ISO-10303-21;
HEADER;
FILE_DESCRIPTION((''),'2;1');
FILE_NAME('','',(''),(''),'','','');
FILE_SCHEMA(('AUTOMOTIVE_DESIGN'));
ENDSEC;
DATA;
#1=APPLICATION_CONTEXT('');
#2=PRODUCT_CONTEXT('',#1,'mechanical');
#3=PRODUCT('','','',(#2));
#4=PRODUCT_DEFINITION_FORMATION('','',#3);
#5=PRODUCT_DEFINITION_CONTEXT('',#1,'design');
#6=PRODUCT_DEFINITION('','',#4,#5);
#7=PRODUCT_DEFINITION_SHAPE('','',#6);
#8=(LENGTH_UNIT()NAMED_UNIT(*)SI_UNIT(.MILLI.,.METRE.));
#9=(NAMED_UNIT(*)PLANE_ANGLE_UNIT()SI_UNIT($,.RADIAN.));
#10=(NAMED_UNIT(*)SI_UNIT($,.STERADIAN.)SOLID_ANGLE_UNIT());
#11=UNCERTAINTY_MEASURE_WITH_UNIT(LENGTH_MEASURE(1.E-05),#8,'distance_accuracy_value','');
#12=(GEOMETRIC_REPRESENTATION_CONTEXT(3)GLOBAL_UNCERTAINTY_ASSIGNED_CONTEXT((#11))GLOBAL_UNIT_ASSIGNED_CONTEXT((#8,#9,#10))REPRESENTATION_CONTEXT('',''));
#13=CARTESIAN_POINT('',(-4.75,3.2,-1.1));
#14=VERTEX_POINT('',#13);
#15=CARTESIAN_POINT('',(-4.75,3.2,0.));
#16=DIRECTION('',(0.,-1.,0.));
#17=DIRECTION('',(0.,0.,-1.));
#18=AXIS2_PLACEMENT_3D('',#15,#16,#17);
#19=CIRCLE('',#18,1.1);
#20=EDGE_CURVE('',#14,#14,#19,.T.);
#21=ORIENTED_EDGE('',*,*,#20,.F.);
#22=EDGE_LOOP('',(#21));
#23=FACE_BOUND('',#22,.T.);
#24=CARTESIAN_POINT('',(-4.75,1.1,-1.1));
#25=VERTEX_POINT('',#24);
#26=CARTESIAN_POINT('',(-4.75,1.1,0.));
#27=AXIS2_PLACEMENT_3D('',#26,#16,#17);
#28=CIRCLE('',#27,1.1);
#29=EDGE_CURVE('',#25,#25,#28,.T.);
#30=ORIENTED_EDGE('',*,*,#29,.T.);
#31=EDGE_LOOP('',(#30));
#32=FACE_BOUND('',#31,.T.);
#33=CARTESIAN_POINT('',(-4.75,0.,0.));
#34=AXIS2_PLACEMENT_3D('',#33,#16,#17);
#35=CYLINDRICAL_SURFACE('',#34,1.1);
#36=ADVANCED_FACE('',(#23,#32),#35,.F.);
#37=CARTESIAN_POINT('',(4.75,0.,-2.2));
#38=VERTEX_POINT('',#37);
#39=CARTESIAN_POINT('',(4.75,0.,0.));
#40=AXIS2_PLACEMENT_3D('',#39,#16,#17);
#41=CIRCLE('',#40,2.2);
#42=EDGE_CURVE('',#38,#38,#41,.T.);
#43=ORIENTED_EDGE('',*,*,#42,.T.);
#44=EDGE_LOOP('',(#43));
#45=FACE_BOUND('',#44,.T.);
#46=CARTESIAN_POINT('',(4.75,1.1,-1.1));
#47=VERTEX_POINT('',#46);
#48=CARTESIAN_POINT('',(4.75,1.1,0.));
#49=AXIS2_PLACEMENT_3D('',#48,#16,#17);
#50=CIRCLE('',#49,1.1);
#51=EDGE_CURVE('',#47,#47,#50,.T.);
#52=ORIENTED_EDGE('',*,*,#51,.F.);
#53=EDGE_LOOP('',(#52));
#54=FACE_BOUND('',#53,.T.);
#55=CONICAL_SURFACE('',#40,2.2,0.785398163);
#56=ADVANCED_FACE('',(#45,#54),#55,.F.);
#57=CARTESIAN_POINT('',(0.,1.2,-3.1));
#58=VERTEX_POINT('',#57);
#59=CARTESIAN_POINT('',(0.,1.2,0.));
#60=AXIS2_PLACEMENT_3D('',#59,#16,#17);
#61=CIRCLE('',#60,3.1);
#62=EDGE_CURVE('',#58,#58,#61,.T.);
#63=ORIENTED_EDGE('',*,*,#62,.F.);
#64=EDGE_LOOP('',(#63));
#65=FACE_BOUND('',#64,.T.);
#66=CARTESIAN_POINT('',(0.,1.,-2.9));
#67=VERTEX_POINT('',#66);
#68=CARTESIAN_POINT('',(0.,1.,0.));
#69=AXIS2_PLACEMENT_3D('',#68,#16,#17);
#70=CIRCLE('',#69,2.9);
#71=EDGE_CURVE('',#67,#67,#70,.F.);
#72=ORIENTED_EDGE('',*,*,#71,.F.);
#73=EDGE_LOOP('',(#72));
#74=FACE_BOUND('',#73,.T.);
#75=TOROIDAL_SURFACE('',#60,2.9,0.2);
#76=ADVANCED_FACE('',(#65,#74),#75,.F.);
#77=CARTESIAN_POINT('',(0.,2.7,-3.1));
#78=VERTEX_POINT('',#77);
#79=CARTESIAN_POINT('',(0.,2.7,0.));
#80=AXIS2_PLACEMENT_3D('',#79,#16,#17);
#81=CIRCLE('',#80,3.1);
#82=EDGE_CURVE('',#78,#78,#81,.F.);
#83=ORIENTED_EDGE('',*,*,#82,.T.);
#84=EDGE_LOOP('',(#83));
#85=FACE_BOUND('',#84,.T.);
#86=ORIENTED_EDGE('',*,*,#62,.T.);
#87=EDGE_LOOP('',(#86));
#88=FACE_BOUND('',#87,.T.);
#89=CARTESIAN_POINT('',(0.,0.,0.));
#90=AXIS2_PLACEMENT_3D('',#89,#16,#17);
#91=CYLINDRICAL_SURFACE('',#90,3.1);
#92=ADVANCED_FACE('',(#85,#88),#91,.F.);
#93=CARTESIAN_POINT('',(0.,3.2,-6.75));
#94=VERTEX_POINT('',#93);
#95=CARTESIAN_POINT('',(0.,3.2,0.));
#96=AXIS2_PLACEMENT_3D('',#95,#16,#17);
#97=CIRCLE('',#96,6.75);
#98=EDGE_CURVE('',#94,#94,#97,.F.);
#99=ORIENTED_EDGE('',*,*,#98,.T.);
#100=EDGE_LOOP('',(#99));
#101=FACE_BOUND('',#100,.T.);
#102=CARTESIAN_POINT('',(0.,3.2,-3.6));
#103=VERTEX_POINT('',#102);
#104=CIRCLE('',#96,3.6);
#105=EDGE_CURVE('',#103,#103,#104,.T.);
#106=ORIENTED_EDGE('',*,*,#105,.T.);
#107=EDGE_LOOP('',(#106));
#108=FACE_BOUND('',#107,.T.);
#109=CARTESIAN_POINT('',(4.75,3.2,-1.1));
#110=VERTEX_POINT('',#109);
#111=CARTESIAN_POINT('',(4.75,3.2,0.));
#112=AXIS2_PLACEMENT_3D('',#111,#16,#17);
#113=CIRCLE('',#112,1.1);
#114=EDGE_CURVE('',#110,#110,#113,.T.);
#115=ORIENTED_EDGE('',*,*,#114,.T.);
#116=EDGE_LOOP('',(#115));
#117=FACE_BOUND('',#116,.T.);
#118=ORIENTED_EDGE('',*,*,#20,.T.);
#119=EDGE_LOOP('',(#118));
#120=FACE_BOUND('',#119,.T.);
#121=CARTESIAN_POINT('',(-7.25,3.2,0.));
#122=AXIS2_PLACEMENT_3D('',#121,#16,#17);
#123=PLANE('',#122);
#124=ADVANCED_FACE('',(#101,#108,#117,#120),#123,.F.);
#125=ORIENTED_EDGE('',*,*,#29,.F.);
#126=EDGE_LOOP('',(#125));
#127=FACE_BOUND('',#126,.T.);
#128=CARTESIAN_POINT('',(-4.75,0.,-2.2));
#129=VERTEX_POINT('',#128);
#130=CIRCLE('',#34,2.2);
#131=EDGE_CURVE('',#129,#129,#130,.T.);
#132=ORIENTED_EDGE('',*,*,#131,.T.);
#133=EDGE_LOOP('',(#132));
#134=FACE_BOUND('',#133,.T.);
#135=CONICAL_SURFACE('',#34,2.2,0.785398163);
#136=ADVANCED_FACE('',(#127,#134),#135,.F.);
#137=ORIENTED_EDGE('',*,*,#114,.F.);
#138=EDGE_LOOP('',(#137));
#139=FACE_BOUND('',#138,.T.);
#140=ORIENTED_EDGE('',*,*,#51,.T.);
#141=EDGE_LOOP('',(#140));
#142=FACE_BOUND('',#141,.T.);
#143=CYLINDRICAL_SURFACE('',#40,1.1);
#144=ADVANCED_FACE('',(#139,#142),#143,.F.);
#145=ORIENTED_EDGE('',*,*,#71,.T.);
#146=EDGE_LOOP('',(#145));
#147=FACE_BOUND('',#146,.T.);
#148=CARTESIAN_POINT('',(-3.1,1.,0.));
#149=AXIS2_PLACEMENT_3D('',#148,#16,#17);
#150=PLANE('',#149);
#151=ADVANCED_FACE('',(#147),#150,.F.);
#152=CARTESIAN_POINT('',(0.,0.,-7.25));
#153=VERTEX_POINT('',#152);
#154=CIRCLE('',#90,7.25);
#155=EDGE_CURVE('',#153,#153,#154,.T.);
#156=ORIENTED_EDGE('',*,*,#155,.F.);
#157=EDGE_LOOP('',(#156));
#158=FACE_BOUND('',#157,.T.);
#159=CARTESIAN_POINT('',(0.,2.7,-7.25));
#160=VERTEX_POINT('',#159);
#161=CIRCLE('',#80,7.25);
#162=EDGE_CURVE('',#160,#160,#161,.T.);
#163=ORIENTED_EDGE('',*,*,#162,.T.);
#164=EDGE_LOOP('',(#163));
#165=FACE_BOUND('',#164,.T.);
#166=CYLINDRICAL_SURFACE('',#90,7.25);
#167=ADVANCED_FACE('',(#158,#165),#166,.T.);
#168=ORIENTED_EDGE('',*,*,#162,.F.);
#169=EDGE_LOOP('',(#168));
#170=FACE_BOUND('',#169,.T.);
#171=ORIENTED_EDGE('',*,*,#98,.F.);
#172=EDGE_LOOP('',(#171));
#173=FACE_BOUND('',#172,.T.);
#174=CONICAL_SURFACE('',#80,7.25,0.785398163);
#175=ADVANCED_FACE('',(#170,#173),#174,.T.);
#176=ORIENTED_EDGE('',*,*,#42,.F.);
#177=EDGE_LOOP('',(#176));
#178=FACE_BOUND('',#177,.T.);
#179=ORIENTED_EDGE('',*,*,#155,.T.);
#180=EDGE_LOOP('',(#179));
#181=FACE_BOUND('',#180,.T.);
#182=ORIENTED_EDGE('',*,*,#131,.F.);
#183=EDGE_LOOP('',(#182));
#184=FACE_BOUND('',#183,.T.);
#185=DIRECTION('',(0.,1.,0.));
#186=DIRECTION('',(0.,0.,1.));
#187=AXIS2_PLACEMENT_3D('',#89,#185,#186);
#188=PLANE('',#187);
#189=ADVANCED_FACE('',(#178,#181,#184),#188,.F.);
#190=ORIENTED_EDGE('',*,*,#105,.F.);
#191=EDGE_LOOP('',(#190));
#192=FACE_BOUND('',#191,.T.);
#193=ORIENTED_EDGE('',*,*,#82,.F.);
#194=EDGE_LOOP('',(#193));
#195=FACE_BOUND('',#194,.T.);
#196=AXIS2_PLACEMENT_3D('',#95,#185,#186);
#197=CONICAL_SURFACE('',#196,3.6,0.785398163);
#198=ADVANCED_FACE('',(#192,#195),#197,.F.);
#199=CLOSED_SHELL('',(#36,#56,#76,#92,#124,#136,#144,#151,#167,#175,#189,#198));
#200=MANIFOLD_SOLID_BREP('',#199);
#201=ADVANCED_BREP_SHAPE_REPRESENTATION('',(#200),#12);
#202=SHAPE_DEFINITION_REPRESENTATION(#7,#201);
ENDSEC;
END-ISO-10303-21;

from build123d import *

# Parameters (mm, degrees)
CHAMFER2_SIZE     = 0.5
CIRPATTERN1_COUNT = 2
CHAMFER3_SIZE     = 0.5
FILLET2_R         = 0.2


with BuildPart() as part:
    # Sketch1 → Revolve1 (revolve)
    with BuildSketch(Plane.XY, mode=Mode.PRIVATE) as revolve1_sk:
        Polygon((0, 0), (-7.25, 0), (-7.25, 3.2), (-3.1, 3.2), (-3.1, 1), (0, 1), align=None)
    revolve(revolve1_sk.sketch.rotate(Axis((0, 0, 0), (0, 1, 0)), 270), axis=Axis((0, 0, 0), (0, 1, 0)))

    # Chamfer2
    chamfer2_edges = [part.edges().sort_by_distance(p)[0] for p in [
        (0, 3.2, 3.1),
    ]]
    chamfer(chamfer2_edges, length=CHAMFER2_SIZE)

    # Sketch4 → CSK for M2 Flat Head Machine Screw1 (revolve, cut)
    with BuildSketch(Plane(origin=(-4.75, 0, 0), x_dir=(0, 0, -1), z_dir=(1, 0, 0))):
        Polygon((0, 0), (0, 5.660946681), (1.1, 5), (1.1, 1.1), (2.2, 0), align=None)
    csk_for_m2_flat_head_machine_screw1 = revolve(axis=Axis((-4.75, -6.35, 0), (0, 1, 0)), mode=Mode.SUBTRACT)

    # CirPattern1: CSK for M2 Flat Head Machine Screw1 ×2 about axis
    cirpattern1_axis = Axis((0, 0, 0), (0, 1, 0))
    for i in range(1, CIRPATTERN1_COUNT):
        add(csk_for_m2_flat_head_machine_screw1.rotate(cirpattern1_axis, i * 360 / CIRPATTERN1_COUNT), mode=Mode.SUBTRACT)

    # Chamfer3
    chamfer3_edges = [part.edges().sort_by_distance(p)[0] for p in [
        (0, 3.2, 7.25),
    ]]
    chamfer(chamfer3_edges, length=CHAMFER3_SIZE)

    # Fillet2
    fillet2_edges = [part.edges().sort_by_distance(p)[0] for p in [
        (0, 1, 3.1),
    ]]
    fillet(fillet2_edges, radius=FILLET2_R)


solid = part.part
